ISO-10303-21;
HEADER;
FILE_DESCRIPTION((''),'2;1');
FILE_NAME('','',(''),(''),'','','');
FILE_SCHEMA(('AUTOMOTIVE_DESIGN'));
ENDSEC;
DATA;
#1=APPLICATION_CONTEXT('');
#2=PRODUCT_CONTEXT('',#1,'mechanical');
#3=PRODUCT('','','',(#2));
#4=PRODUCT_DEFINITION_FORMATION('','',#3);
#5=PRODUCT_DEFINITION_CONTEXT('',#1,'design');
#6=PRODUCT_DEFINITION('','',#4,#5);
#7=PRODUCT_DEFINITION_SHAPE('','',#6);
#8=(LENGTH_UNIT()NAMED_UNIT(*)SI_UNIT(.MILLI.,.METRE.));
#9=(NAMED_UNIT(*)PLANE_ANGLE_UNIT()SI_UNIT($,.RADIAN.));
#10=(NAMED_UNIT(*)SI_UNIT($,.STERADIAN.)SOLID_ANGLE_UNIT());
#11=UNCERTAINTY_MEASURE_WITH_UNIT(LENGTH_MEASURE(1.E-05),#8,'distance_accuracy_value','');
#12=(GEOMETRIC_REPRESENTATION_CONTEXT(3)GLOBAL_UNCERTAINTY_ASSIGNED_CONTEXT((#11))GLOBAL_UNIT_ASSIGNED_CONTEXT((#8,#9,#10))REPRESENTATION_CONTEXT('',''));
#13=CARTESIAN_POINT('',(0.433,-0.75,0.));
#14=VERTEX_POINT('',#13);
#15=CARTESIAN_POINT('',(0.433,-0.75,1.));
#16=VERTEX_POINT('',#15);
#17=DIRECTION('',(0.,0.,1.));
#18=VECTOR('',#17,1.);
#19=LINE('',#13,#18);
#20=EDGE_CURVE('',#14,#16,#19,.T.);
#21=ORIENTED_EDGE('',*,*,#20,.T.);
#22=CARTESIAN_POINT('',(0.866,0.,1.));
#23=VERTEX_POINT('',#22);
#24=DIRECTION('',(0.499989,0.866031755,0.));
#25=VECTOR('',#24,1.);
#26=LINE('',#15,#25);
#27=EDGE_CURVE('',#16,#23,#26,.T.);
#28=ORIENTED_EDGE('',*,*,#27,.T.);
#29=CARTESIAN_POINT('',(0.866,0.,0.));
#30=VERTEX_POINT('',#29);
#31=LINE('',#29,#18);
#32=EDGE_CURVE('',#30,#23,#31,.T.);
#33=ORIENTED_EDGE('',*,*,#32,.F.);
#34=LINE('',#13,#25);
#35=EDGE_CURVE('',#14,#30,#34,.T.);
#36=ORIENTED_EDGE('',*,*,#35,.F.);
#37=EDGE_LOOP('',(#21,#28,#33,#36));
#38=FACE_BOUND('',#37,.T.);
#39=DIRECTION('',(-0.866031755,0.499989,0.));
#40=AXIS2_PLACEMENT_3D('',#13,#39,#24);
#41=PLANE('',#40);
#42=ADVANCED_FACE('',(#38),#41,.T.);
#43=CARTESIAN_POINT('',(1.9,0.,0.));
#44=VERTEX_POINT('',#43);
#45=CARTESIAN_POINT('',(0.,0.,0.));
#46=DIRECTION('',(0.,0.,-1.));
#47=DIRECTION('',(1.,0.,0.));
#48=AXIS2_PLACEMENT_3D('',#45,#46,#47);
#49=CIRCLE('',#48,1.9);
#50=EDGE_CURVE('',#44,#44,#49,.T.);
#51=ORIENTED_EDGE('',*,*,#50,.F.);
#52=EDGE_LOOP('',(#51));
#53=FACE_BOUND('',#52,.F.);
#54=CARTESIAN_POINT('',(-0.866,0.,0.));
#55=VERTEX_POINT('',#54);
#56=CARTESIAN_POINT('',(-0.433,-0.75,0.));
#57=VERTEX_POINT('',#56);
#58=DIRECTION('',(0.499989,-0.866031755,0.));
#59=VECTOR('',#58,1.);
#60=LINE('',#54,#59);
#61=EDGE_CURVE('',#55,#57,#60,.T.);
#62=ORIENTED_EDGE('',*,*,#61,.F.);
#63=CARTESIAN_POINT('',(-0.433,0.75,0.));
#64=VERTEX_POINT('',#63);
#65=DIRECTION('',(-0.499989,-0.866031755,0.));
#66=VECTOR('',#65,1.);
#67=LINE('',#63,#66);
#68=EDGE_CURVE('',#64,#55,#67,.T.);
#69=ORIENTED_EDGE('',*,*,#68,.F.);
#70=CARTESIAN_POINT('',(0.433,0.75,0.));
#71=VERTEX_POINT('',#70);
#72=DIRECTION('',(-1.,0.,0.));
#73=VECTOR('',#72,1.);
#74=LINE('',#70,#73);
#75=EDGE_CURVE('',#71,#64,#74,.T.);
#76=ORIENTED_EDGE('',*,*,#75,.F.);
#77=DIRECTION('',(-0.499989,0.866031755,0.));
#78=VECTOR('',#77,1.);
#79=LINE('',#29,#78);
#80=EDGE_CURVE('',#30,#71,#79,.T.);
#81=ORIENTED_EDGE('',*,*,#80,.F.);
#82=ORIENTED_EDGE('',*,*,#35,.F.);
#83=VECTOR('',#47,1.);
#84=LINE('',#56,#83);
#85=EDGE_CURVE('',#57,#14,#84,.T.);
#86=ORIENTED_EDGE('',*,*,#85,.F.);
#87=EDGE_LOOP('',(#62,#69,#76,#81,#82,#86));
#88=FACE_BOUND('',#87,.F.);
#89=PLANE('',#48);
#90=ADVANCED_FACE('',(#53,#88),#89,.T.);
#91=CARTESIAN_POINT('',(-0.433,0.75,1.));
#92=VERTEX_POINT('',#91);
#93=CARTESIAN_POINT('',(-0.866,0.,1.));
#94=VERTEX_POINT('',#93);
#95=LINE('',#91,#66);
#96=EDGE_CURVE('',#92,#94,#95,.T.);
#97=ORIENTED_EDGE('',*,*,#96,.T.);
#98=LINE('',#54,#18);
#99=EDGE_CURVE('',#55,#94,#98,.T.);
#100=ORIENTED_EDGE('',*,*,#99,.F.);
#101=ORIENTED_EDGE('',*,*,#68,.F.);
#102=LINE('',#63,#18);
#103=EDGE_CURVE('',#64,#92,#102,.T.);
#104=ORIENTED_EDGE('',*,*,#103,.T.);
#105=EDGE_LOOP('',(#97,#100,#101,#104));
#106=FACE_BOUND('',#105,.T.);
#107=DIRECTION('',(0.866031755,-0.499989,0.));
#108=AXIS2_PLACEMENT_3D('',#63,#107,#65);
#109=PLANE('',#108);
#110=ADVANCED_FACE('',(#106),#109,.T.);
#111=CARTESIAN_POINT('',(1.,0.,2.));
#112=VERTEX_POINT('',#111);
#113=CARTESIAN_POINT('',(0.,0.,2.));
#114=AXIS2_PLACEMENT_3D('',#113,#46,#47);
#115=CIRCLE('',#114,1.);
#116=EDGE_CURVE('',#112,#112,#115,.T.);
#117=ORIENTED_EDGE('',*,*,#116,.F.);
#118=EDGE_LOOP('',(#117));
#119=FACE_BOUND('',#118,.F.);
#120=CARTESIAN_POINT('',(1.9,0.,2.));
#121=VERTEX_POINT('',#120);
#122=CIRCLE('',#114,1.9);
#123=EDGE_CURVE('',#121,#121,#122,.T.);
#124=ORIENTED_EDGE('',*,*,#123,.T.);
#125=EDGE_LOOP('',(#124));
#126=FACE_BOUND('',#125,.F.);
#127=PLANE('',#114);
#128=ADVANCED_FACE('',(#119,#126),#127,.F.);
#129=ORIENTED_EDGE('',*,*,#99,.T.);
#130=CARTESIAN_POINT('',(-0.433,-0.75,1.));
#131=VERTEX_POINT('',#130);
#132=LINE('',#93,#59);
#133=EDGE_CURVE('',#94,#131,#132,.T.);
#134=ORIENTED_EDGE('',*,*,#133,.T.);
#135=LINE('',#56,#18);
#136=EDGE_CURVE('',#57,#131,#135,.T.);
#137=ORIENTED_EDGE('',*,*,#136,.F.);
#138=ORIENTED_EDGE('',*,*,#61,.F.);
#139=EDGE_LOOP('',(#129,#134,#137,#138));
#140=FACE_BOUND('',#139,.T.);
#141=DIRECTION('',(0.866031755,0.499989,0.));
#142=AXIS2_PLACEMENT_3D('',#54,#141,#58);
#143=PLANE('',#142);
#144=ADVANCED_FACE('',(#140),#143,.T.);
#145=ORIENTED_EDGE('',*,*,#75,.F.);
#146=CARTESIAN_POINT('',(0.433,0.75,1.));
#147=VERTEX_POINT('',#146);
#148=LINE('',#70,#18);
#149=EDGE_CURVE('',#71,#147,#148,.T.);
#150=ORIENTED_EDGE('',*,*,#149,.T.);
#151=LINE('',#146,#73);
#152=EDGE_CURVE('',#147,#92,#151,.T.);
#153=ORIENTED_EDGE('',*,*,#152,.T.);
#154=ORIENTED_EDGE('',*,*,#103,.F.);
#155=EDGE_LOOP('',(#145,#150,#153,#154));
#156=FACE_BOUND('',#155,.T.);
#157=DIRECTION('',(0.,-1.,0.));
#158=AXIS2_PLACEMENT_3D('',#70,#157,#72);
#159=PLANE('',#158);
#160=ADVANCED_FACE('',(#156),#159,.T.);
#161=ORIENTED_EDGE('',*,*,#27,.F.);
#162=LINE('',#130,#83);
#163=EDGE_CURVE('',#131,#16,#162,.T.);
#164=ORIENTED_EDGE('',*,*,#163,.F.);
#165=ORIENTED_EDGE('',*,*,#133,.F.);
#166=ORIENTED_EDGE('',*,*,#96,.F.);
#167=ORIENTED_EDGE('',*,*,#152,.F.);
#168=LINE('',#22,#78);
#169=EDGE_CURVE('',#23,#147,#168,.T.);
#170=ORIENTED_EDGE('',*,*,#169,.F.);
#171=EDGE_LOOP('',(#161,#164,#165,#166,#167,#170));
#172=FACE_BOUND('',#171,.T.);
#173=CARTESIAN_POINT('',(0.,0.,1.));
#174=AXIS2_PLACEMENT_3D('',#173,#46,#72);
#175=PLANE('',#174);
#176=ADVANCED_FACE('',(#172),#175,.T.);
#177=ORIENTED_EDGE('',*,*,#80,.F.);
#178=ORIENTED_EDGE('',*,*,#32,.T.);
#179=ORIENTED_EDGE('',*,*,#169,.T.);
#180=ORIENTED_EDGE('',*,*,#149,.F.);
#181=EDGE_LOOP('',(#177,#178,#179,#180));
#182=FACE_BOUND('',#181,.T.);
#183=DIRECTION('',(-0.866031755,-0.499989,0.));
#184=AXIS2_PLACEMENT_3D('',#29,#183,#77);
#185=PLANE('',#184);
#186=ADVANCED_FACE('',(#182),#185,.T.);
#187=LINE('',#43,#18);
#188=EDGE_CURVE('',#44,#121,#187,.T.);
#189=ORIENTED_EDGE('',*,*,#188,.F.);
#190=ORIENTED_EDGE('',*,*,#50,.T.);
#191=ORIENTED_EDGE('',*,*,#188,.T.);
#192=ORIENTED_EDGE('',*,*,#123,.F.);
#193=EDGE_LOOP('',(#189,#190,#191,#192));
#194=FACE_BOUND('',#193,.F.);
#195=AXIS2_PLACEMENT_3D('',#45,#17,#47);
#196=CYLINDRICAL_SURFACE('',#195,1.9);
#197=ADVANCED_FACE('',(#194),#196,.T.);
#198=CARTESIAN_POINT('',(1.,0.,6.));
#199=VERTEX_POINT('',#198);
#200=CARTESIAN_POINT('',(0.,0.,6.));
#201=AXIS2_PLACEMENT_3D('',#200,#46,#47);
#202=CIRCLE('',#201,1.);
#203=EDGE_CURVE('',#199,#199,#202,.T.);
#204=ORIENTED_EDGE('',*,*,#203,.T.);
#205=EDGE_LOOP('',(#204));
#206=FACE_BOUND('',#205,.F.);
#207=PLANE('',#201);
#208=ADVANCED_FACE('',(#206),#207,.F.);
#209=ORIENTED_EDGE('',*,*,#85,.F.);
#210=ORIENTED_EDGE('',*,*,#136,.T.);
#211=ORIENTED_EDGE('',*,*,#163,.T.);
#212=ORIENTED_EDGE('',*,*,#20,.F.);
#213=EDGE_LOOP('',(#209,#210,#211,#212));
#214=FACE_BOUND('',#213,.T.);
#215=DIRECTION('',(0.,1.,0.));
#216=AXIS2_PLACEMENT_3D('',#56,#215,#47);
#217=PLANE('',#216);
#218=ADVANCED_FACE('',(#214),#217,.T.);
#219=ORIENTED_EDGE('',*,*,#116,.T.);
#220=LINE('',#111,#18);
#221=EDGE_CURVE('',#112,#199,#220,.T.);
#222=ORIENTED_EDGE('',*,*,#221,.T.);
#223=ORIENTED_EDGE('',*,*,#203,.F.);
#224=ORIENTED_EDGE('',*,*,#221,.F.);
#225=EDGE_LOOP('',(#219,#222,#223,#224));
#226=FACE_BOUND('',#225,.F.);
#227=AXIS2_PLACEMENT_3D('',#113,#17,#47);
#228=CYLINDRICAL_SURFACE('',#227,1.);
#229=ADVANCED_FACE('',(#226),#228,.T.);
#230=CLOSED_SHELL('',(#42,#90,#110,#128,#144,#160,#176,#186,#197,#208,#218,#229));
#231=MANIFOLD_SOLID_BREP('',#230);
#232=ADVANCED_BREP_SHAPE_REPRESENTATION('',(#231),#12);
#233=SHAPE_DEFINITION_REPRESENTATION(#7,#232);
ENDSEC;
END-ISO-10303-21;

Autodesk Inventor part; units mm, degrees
ref_plane "YZ Plane" through (0, 0, 0) normal (1, 0, 0) x (0, 1, 0)
ref_plane "XZ Plane" through (0, 0, 0) normal (0, 1, 0) x (-1, 0, 0)
ref_plane "XY Plane" through (0, 0, 0) normal (0, 0, 1) x (1, 0, 0)
sketch "Sketch1" plane through (0, 0, 0) normal (0, 1, 0) x (-1, 0, 0)
  line L0 (0, 0) -> (-1.9, 0)
  line L1 (-1.9, 0) -> (-1.9, 2)
  line L2 (-1.9, 2) -> (-1, 2)
  line L3 (-1, 2) -> (-1, 6)
  line L4 (-1, 6) -> (0, 6)
  line L5 (0, 6) -> (0, 0)
  dimension "ScrewLength" = 4
  dimension "Diameter" = 3.8
  dimension "Metric" = 2
  dimension "HeadLength" = 2
revolve "Revolution1" add sketch "Sketch1" angle 360 about axis through (0, 0, 6) along (0, 0, -1)
thread "Thread1" size "M2x0.4" class "6g" standard "ANSI Metric M Profile" full length
sketch "Sketch2" plane through (0, 0, 0) normal (0, 0, -1) x (-1, 0, 0)
  line L0 (0.433, 0.75) -> (0.866, 0)
  line L1 (0.866, 0) -> (0.433, -0.75)
  line L2 (0.433, -0.75) -> (-0.433, -0.75)
  line L3 (-0.433, -0.75) -> (-0.866, 0)
  line L4 (-0.866, 0) -> (-0.433, 0.75)
  line L5 (-0.433, 0.75) -> (0.433, 0.75)
  point P0 (0, 0)
  point P1 (0, 0)
  dimension "WidthAcrossFlat" = 1.5
extrude "Extrusion1" cut sketch "Sketch2" against normal blind 1
properties part number "UC-0204" material "Stainless Steel AISI 304"
